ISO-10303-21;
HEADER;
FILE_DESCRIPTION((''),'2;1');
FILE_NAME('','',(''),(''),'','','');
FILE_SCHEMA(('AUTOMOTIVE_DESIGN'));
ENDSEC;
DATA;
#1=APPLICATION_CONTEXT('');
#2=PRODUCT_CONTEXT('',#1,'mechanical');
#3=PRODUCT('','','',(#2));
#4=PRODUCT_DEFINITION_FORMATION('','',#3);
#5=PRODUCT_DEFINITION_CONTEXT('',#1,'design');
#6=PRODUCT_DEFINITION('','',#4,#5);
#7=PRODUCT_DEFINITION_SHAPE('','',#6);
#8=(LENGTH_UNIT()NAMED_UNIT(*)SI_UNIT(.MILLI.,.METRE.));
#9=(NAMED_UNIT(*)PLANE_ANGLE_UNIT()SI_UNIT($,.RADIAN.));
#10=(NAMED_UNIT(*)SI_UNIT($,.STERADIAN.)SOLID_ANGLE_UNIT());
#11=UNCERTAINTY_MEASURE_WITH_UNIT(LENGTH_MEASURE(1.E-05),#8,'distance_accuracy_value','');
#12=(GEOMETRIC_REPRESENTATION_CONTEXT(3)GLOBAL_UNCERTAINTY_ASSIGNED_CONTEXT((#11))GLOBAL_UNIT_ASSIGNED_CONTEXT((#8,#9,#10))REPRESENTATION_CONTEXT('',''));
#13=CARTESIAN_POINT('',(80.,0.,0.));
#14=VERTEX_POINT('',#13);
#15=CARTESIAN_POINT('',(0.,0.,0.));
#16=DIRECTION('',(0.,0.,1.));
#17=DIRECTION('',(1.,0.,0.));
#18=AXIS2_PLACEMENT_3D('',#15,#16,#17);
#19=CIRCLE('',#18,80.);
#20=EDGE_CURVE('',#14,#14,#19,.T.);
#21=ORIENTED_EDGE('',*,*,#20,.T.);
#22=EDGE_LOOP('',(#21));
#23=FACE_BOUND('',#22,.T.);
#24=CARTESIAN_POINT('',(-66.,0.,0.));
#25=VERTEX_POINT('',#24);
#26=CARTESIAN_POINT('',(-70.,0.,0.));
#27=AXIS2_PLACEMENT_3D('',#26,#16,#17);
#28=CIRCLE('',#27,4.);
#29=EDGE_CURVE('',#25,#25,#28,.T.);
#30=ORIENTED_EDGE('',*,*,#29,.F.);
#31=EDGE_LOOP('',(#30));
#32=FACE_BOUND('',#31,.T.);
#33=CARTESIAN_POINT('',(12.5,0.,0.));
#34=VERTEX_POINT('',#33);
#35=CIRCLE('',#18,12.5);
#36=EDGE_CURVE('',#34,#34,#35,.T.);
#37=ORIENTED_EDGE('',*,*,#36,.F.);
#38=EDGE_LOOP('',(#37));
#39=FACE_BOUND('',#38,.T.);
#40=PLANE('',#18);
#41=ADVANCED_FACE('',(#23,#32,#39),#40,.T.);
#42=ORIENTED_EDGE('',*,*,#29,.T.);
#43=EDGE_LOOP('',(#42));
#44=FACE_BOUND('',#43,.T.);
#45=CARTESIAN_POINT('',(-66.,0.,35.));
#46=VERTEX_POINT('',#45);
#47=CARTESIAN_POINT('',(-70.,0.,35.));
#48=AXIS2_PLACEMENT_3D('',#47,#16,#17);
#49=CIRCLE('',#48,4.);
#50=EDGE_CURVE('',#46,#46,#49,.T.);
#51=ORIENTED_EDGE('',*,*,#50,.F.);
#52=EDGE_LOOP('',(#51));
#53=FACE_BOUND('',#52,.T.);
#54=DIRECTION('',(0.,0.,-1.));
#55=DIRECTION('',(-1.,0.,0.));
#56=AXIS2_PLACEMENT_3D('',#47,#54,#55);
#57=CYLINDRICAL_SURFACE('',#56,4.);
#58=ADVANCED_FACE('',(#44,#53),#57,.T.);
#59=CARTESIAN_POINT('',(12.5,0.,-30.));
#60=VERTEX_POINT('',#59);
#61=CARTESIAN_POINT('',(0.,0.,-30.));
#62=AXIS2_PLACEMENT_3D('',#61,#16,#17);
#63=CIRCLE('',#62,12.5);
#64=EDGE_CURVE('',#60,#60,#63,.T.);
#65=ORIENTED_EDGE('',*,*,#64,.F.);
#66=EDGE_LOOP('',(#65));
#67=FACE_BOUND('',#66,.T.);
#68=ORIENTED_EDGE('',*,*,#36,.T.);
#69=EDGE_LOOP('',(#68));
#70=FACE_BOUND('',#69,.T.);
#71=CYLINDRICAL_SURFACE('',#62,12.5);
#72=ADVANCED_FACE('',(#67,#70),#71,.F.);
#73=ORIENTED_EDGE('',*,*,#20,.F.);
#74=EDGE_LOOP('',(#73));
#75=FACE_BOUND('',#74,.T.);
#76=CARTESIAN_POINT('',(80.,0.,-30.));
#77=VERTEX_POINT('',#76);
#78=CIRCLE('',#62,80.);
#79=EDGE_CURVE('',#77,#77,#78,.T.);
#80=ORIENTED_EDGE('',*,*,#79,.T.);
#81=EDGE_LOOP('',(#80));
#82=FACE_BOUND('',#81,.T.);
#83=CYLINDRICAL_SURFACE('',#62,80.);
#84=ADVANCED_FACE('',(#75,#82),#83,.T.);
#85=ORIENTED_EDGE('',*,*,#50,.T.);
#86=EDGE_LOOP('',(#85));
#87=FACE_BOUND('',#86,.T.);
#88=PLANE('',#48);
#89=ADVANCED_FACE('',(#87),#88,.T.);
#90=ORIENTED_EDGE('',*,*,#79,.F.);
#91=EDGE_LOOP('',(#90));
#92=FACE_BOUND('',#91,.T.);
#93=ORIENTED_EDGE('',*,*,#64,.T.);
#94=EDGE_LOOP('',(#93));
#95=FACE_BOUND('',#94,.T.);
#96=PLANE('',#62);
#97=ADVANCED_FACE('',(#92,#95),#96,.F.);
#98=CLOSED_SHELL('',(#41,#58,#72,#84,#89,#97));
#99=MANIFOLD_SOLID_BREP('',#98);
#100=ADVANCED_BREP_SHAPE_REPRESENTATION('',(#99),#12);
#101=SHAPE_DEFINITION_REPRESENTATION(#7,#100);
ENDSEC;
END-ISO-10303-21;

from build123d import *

# Parameters (mm, degrees)
SKETCH2_R           = 80
SKETCH2_R_2         = 12.5
BOSS_EXTRUDE1_DEPTH = 30
SKETCH3_R           = 4
BOSS_EXTRUDE2_DEPTH = 35


with BuildPart() as part:
    # Sketch2 → Boss-Extrude1 (new body)
    with BuildSketch(Plane.XY):
        Circle(SKETCH2_R)
        Circle(SKETCH2_R_2, mode=Mode.SUBTRACT)
    extrude(amount=-BOSS_EXTRUDE1_DEPTH)

    # Sketch3 → Boss-Extrude2 (add)
    with BuildSketch(Plane.XY):
        with Locations((-70, 0)):
            Circle(SKETCH3_R)
    extrude(amount=BOSS_EXTRUDE2_DEPTH)


solid = part.part
